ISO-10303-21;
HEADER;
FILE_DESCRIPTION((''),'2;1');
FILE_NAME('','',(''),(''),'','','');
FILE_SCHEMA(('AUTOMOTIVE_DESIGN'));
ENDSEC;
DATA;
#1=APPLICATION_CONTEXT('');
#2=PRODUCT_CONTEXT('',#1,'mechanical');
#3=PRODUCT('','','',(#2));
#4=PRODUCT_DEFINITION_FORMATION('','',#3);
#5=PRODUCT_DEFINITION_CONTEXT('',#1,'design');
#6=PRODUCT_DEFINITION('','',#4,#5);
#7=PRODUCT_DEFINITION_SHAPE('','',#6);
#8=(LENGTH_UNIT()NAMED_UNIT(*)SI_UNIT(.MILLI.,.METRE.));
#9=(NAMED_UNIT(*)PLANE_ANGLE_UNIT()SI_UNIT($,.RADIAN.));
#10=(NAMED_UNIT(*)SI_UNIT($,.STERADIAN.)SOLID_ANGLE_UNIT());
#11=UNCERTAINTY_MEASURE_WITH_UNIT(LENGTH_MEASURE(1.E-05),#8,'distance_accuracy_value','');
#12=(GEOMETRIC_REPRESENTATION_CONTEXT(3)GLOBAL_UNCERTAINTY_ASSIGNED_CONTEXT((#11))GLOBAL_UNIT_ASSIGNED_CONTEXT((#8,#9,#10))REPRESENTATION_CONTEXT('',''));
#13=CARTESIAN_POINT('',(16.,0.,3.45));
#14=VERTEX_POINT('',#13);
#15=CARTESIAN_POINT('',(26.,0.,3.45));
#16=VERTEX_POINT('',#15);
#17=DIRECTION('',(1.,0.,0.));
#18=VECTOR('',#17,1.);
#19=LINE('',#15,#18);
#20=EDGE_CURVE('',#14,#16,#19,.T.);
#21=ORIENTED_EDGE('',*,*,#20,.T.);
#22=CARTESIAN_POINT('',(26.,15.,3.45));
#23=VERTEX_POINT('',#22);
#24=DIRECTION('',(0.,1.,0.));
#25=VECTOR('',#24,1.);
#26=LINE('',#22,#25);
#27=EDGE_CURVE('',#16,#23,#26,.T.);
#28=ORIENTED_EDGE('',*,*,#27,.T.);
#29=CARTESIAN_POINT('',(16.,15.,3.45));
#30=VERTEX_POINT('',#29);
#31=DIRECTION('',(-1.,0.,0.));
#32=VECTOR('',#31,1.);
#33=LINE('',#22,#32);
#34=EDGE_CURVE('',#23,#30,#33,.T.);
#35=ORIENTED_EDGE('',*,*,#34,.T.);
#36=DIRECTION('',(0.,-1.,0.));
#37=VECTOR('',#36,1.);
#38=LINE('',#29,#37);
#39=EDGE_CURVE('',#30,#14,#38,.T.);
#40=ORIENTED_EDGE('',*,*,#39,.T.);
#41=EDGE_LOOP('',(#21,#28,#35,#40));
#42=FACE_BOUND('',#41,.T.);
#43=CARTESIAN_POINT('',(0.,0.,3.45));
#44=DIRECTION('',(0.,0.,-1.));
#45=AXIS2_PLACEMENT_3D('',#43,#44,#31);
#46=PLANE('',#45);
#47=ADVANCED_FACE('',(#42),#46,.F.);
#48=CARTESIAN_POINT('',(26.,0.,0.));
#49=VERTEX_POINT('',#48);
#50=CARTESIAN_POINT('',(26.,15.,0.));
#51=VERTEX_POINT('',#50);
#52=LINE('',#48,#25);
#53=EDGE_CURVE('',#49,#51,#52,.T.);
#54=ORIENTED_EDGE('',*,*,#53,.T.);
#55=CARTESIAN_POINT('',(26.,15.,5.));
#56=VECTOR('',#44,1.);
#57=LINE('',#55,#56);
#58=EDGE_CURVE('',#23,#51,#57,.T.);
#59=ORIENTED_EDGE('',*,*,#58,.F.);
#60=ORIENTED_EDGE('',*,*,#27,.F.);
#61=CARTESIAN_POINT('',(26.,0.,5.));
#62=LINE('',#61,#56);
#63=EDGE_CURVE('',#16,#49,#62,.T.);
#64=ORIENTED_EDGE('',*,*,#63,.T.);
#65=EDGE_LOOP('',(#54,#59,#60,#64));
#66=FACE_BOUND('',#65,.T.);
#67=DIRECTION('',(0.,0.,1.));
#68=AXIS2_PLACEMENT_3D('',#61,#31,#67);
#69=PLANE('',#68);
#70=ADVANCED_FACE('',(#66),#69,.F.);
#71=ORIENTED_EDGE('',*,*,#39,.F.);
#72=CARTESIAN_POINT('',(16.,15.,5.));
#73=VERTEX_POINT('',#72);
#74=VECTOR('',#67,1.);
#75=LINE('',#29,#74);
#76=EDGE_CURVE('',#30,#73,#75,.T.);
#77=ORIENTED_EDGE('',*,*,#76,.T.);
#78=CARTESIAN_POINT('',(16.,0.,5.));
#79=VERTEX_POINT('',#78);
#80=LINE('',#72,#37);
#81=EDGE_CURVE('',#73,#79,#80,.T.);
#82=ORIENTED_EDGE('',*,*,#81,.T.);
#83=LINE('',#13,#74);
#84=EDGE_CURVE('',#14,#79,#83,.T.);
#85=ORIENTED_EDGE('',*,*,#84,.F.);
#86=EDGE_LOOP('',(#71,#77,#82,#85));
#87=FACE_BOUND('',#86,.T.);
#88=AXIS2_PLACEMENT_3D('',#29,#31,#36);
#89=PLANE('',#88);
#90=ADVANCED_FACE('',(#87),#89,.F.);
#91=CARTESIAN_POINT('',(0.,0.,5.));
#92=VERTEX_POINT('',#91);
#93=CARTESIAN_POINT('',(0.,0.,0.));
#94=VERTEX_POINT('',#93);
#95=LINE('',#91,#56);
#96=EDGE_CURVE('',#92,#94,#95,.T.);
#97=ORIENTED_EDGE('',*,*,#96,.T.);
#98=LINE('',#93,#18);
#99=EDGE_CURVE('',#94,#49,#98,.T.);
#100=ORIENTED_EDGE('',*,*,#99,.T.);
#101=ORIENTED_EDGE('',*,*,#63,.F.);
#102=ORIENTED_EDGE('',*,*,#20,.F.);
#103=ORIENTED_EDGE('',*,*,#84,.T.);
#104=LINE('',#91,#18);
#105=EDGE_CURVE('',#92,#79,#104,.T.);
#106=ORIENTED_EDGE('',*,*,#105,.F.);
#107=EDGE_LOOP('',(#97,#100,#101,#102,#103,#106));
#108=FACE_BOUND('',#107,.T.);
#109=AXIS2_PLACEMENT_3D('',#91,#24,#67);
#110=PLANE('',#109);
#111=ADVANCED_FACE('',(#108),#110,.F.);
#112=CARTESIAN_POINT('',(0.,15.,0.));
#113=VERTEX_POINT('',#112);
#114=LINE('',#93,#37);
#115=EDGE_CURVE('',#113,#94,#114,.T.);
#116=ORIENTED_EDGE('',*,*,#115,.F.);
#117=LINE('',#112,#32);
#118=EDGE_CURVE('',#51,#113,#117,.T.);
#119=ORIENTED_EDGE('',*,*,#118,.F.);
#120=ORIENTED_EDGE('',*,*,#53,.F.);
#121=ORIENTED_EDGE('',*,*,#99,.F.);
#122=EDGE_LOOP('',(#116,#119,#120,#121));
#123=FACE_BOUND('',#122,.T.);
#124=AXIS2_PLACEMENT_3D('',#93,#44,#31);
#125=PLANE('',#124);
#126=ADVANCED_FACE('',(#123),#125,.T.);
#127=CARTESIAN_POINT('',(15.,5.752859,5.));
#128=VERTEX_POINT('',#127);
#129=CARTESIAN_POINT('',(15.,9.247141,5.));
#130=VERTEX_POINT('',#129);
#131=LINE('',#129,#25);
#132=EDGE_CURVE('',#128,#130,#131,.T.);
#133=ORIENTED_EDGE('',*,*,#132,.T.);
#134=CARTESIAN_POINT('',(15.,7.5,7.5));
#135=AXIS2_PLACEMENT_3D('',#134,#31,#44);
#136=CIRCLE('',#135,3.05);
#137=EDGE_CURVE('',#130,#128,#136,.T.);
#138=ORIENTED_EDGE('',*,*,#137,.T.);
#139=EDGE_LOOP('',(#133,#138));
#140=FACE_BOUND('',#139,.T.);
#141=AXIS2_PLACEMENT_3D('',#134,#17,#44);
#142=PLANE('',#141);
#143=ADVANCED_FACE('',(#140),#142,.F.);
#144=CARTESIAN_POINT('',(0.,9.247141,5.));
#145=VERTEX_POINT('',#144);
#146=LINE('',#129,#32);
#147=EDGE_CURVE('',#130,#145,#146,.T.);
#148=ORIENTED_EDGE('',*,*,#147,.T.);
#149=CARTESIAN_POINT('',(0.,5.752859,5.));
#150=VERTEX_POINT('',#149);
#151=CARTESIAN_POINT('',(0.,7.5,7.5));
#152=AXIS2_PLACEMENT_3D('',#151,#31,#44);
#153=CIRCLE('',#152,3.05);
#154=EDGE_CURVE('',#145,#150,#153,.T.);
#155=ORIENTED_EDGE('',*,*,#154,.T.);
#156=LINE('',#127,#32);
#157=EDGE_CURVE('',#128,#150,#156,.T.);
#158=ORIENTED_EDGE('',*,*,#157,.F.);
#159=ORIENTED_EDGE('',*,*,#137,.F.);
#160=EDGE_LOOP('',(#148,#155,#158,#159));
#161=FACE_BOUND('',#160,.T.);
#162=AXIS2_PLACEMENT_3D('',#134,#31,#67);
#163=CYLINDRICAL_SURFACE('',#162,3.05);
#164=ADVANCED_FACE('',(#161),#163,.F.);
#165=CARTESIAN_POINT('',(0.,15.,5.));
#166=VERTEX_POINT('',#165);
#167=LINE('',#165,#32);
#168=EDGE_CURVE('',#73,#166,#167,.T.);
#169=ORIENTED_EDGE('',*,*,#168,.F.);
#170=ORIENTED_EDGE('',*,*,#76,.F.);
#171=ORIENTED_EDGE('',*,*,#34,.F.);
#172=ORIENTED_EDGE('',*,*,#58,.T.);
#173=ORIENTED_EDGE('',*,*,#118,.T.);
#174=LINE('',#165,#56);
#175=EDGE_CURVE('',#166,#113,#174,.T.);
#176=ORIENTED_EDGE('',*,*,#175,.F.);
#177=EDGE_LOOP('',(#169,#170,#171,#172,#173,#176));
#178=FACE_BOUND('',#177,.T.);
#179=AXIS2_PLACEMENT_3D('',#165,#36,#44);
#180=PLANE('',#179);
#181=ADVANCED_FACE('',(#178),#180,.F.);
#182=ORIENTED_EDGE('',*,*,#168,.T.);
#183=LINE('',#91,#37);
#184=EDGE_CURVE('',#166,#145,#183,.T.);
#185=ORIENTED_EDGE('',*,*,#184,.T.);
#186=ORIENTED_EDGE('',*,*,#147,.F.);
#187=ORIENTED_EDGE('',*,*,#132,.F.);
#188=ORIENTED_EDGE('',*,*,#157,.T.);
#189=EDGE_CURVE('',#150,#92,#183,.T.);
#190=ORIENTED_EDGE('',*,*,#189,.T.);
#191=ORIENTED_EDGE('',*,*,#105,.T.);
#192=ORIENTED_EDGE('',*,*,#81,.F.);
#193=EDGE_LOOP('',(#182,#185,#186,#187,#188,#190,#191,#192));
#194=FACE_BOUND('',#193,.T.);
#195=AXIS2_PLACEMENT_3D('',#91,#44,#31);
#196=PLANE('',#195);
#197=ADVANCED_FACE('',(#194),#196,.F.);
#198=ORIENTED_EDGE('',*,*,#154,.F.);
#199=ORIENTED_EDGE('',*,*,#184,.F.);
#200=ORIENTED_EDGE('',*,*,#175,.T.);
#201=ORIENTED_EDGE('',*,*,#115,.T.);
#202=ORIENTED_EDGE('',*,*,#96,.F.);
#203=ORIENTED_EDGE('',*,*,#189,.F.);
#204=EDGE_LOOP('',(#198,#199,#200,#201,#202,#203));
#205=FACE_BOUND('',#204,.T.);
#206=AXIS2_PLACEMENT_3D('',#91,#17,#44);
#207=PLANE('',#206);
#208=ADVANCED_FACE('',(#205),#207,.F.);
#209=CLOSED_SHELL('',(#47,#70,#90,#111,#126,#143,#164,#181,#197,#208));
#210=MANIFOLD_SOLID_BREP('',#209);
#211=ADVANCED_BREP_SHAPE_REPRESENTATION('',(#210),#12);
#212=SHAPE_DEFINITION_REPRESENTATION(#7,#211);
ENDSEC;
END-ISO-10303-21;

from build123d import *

# Parameters (mm, degrees)
SKIZZE1_W                       = 26
SKIZZE1_H                       = 15
AUFSATZ_LINEAR_AUSTRAGEN1_DEPTH = 5
SCHNITT_LINEAR_AUSTRAGEN1_DEPTH = 15
SKIZZE3_W                       = 10
SKIZZE3_H                       = 15
SCHNITT_LINEAR_AUSTRAGEN2_DEPTH = 1.55


with BuildPart() as part:
    # Skizze1 → Aufsatz-Linear austragen1 (new body)
    with BuildSketch(Plane.XY):
        with Locations((13, 7.5)):
            Rectangle(SKIZZE1_W, SKIZZE1_H)
    extrude(amount=AUFSATZ_LINEAR_AUSTRAGEN1_DEPTH)

    # Skizze2 → Schnitt-Linear austragen1 (cut)
    with BuildSketch(Plane.ZY):
        with BuildLine():
            Line((5, 9.247140521), (5, 5.752859479))
            ThreePointArc((5, 5.752859479), (4.45, 7.5), (5, 9.247140521))
        make_face()
    extrude(amount=-SCHNITT_LINEAR_AUSTRAGEN1_DEPTH, mode=Mode.SUBTRACT)

    # Skizze3 → Schnitt-Linear austragen2 (cut)
    with BuildSketch(Plane.XY.offset(5)):
        with Locations((21, 7.5)):
            Rectangle(SKIZZE3_W, SKIZZE3_H)
    extrude(amount=-SCHNITT_LINEAR_AUSTRAGEN2_DEPTH, mode=Mode.SUBTRACT)


solid = part.part
